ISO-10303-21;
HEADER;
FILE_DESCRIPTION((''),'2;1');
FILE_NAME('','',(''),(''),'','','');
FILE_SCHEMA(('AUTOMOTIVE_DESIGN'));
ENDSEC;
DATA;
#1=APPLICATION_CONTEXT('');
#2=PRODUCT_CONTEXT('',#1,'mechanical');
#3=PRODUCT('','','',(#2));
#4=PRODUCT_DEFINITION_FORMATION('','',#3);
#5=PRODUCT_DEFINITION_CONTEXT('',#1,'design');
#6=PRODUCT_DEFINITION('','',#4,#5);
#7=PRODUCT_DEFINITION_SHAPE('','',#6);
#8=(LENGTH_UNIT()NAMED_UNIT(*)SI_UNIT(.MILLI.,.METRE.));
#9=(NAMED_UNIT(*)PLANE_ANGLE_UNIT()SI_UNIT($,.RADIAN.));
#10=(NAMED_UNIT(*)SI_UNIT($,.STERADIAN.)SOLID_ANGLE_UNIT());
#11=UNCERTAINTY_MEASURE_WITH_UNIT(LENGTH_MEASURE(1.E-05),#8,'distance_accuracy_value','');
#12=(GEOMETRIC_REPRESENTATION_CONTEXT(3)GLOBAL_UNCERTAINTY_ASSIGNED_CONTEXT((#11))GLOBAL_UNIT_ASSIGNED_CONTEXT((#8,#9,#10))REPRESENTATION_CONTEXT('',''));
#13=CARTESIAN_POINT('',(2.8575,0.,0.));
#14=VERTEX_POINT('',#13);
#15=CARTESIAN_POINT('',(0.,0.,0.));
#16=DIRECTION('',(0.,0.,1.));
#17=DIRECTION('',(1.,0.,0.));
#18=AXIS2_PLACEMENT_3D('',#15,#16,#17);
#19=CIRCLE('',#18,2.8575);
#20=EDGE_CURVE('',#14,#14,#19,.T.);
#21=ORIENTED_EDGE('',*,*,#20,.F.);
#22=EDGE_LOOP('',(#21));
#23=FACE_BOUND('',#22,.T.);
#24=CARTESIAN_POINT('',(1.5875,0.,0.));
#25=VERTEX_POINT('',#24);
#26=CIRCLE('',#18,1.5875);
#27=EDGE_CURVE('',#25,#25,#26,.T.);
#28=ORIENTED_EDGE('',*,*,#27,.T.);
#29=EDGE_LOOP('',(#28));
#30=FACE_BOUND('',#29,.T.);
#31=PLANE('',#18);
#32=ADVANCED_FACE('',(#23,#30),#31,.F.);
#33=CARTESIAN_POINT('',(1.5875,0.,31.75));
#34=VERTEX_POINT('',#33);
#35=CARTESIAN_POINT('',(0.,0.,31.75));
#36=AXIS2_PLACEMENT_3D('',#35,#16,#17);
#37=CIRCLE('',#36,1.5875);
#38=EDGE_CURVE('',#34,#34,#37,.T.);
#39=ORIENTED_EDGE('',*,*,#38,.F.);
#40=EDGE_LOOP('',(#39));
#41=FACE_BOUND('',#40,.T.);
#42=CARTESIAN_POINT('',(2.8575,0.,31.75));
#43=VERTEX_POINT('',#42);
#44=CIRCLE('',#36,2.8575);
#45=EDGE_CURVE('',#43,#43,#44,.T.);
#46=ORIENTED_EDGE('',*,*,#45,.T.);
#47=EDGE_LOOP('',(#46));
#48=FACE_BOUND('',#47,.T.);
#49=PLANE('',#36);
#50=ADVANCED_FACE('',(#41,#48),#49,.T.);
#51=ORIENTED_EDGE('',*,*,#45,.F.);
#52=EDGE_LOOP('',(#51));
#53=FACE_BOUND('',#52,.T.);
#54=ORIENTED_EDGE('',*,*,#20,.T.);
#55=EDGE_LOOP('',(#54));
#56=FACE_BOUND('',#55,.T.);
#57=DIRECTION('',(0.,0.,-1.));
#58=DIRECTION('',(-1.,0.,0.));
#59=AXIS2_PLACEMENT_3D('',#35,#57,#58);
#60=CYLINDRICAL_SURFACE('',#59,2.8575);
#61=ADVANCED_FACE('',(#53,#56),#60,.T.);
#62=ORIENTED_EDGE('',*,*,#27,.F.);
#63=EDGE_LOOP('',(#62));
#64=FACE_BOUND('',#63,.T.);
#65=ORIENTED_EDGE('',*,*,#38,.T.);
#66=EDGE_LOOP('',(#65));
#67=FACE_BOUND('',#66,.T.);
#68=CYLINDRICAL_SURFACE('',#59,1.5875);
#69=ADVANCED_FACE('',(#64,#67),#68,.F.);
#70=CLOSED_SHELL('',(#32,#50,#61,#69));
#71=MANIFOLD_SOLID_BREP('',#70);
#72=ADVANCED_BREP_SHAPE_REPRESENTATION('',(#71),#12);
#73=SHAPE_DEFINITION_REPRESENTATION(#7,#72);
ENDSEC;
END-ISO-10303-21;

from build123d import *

# Parameters (mm, degrees)
SKETCH1_R           = 2.8575
SKETCH1_R_2         = 1.5875
BOSS_EXTRUDE1_DEPTH = 31.75


with BuildPart() as part:
    # Sketch1 → Boss-Extrude1 (new body)
    with BuildSketch(Plane.XY):
        Circle(SKETCH1_R)
        Circle(SKETCH1_R_2, mode=Mode.SUBTRACT)
    extrude(amount=BOSS_EXTRUDE1_DEPTH)


solid = part.part
